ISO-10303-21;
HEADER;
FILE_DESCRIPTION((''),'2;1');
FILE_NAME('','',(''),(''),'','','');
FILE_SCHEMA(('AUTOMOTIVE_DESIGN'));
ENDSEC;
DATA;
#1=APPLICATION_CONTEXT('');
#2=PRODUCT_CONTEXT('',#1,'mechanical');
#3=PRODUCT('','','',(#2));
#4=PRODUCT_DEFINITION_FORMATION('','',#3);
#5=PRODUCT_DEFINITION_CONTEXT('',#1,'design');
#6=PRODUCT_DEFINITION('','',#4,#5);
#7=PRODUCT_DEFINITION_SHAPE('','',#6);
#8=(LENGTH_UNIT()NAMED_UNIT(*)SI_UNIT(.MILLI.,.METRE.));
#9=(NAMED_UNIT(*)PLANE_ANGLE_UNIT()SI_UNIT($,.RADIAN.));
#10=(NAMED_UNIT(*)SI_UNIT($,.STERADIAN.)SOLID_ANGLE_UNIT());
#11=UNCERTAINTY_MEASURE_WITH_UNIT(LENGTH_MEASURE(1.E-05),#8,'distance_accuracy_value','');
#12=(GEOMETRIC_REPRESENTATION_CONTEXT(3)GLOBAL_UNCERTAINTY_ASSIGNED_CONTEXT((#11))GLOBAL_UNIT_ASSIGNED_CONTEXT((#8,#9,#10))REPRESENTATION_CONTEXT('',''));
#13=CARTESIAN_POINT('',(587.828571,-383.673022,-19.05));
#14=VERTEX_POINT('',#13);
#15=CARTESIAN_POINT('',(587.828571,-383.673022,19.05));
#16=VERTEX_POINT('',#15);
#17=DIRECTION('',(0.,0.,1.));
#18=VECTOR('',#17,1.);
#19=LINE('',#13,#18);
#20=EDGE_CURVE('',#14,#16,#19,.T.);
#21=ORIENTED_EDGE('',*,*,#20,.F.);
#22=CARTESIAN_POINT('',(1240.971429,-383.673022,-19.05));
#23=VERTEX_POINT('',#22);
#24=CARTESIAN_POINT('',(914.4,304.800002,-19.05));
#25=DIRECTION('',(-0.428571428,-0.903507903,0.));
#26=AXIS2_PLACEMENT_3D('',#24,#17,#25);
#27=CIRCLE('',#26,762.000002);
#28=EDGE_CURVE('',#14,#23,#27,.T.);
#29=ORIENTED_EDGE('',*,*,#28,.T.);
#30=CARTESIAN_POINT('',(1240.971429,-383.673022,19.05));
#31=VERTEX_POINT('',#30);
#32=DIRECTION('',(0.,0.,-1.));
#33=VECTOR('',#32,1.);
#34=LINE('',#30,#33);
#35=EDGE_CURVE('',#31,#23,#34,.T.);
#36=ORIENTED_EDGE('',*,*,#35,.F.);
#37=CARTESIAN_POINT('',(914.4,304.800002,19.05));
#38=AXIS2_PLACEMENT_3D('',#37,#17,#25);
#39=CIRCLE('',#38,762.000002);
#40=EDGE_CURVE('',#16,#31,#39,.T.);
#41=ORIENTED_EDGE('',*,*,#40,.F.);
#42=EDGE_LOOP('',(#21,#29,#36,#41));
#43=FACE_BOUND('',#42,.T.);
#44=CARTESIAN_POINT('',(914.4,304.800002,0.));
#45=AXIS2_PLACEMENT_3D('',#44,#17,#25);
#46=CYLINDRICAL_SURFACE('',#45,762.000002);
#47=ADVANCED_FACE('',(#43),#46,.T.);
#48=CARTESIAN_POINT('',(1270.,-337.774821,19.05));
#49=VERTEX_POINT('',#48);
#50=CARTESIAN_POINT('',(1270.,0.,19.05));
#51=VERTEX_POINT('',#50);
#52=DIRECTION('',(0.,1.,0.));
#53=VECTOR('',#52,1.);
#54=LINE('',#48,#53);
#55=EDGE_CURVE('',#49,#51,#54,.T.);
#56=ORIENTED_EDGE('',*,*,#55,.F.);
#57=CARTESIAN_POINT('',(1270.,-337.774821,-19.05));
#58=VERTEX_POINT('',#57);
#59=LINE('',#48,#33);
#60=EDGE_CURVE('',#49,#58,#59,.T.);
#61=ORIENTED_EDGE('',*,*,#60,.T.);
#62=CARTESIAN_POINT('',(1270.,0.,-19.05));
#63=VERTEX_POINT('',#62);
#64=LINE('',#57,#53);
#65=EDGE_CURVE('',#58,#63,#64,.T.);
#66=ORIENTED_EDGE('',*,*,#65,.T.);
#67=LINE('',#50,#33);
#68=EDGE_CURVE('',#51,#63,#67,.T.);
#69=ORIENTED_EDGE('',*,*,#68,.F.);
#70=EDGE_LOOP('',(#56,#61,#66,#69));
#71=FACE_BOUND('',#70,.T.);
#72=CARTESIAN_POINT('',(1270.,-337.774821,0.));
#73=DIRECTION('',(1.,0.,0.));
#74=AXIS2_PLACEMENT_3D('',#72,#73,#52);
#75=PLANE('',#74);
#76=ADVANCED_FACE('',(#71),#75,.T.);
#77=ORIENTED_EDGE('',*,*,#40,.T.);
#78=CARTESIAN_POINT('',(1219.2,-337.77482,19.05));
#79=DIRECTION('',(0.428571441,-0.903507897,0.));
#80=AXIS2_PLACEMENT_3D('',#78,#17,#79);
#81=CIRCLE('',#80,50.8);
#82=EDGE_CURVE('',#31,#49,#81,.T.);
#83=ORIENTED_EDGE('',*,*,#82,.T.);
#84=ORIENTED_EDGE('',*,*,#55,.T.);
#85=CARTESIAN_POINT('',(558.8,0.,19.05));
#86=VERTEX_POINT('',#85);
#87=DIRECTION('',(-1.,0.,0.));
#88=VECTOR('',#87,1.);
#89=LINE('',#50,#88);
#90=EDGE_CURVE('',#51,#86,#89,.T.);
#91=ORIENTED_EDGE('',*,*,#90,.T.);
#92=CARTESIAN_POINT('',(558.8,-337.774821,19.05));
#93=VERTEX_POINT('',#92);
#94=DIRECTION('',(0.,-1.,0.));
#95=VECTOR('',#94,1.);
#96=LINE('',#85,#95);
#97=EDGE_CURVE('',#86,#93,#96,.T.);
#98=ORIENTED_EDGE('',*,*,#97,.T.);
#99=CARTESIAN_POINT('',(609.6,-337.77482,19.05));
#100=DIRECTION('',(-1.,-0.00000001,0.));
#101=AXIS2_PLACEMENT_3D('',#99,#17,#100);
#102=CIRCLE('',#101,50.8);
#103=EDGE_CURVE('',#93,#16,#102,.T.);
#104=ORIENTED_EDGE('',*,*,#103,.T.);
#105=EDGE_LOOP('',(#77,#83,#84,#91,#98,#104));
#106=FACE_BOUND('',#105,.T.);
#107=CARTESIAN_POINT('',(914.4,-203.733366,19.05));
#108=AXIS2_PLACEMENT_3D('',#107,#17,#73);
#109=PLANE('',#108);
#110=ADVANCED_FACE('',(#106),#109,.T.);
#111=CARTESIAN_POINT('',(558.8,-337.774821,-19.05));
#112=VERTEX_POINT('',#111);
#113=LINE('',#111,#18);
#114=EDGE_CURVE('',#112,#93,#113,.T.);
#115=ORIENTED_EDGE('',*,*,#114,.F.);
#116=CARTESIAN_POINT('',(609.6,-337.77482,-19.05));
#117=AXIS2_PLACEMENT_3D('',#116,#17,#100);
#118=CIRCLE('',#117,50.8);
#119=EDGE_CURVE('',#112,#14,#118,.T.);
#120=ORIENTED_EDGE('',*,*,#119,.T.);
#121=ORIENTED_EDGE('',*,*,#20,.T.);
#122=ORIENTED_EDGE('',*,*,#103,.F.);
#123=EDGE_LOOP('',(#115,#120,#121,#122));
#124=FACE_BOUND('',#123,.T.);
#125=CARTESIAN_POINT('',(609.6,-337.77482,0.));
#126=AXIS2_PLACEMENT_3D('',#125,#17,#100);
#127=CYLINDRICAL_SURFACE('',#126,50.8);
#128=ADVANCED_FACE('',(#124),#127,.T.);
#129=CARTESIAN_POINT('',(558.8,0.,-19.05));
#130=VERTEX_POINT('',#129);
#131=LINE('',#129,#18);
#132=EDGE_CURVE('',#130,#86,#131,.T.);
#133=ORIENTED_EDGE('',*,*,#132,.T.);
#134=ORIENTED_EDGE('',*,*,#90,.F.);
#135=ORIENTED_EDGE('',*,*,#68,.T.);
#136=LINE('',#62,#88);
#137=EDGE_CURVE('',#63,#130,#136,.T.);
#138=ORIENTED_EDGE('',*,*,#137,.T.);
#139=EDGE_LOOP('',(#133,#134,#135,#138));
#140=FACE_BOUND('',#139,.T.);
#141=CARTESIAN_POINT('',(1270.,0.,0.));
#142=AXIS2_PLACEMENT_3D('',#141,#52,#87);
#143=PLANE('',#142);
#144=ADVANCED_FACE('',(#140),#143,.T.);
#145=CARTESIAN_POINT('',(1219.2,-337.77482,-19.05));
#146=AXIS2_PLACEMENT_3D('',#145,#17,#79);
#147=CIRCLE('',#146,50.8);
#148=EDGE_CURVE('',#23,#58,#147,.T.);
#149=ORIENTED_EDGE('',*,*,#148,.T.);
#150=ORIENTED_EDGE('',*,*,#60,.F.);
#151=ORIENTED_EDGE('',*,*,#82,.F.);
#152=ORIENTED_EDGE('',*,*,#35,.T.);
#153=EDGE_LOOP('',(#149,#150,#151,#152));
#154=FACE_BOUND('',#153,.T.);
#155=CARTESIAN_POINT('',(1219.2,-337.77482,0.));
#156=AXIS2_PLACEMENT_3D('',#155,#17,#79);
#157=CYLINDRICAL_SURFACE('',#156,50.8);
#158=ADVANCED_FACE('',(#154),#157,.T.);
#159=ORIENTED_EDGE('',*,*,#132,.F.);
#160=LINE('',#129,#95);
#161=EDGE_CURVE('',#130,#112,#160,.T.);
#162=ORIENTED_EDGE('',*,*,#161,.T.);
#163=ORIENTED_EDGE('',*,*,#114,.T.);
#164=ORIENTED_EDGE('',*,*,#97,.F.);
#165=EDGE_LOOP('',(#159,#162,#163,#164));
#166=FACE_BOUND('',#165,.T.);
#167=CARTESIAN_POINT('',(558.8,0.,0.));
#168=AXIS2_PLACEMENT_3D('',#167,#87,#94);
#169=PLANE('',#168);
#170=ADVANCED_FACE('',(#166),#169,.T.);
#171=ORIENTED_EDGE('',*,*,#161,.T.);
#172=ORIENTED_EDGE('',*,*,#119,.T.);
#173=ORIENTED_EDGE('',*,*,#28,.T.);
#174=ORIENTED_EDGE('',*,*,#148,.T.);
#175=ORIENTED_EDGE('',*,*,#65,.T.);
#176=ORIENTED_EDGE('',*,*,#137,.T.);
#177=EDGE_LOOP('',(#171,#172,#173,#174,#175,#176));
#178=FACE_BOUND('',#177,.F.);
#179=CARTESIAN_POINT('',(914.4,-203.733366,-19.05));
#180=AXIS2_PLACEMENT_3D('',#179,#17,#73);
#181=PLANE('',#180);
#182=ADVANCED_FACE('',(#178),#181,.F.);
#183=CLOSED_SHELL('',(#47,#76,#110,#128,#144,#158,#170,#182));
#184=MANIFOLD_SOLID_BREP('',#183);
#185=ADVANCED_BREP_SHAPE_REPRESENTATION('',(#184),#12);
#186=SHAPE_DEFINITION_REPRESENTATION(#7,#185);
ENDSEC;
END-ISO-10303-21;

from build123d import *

# Parameters (mm, degrees)
F1_DEPTH = 19.05


with BuildPart() as f1:
    # F0 (on Top) → F1 (new body, symmetric)
    with BuildSketch(Plane.XY):
        with BuildLine():
            Line((1270, 0), (558.8, 0))
            Line((558.8, 0), (558.8, -337.774821))
            ThreePointArc((558.8, -337.774821), (566.666164, -364.928563), (587.828571, -383.673022))
            ThreePointArc((587.828571, -383.673022), (914.4, -457.2), (1240.971429, -383.673022))
            ThreePointArc((1240.971429, -383.673022), (1262.133836, -364.928563), (1270, -337.774821))
            Line((1270, -337.774821), (1270, 0))
        make_face()
    extrude(amount=F1_DEPTH, both=True)


solid = f1.part
